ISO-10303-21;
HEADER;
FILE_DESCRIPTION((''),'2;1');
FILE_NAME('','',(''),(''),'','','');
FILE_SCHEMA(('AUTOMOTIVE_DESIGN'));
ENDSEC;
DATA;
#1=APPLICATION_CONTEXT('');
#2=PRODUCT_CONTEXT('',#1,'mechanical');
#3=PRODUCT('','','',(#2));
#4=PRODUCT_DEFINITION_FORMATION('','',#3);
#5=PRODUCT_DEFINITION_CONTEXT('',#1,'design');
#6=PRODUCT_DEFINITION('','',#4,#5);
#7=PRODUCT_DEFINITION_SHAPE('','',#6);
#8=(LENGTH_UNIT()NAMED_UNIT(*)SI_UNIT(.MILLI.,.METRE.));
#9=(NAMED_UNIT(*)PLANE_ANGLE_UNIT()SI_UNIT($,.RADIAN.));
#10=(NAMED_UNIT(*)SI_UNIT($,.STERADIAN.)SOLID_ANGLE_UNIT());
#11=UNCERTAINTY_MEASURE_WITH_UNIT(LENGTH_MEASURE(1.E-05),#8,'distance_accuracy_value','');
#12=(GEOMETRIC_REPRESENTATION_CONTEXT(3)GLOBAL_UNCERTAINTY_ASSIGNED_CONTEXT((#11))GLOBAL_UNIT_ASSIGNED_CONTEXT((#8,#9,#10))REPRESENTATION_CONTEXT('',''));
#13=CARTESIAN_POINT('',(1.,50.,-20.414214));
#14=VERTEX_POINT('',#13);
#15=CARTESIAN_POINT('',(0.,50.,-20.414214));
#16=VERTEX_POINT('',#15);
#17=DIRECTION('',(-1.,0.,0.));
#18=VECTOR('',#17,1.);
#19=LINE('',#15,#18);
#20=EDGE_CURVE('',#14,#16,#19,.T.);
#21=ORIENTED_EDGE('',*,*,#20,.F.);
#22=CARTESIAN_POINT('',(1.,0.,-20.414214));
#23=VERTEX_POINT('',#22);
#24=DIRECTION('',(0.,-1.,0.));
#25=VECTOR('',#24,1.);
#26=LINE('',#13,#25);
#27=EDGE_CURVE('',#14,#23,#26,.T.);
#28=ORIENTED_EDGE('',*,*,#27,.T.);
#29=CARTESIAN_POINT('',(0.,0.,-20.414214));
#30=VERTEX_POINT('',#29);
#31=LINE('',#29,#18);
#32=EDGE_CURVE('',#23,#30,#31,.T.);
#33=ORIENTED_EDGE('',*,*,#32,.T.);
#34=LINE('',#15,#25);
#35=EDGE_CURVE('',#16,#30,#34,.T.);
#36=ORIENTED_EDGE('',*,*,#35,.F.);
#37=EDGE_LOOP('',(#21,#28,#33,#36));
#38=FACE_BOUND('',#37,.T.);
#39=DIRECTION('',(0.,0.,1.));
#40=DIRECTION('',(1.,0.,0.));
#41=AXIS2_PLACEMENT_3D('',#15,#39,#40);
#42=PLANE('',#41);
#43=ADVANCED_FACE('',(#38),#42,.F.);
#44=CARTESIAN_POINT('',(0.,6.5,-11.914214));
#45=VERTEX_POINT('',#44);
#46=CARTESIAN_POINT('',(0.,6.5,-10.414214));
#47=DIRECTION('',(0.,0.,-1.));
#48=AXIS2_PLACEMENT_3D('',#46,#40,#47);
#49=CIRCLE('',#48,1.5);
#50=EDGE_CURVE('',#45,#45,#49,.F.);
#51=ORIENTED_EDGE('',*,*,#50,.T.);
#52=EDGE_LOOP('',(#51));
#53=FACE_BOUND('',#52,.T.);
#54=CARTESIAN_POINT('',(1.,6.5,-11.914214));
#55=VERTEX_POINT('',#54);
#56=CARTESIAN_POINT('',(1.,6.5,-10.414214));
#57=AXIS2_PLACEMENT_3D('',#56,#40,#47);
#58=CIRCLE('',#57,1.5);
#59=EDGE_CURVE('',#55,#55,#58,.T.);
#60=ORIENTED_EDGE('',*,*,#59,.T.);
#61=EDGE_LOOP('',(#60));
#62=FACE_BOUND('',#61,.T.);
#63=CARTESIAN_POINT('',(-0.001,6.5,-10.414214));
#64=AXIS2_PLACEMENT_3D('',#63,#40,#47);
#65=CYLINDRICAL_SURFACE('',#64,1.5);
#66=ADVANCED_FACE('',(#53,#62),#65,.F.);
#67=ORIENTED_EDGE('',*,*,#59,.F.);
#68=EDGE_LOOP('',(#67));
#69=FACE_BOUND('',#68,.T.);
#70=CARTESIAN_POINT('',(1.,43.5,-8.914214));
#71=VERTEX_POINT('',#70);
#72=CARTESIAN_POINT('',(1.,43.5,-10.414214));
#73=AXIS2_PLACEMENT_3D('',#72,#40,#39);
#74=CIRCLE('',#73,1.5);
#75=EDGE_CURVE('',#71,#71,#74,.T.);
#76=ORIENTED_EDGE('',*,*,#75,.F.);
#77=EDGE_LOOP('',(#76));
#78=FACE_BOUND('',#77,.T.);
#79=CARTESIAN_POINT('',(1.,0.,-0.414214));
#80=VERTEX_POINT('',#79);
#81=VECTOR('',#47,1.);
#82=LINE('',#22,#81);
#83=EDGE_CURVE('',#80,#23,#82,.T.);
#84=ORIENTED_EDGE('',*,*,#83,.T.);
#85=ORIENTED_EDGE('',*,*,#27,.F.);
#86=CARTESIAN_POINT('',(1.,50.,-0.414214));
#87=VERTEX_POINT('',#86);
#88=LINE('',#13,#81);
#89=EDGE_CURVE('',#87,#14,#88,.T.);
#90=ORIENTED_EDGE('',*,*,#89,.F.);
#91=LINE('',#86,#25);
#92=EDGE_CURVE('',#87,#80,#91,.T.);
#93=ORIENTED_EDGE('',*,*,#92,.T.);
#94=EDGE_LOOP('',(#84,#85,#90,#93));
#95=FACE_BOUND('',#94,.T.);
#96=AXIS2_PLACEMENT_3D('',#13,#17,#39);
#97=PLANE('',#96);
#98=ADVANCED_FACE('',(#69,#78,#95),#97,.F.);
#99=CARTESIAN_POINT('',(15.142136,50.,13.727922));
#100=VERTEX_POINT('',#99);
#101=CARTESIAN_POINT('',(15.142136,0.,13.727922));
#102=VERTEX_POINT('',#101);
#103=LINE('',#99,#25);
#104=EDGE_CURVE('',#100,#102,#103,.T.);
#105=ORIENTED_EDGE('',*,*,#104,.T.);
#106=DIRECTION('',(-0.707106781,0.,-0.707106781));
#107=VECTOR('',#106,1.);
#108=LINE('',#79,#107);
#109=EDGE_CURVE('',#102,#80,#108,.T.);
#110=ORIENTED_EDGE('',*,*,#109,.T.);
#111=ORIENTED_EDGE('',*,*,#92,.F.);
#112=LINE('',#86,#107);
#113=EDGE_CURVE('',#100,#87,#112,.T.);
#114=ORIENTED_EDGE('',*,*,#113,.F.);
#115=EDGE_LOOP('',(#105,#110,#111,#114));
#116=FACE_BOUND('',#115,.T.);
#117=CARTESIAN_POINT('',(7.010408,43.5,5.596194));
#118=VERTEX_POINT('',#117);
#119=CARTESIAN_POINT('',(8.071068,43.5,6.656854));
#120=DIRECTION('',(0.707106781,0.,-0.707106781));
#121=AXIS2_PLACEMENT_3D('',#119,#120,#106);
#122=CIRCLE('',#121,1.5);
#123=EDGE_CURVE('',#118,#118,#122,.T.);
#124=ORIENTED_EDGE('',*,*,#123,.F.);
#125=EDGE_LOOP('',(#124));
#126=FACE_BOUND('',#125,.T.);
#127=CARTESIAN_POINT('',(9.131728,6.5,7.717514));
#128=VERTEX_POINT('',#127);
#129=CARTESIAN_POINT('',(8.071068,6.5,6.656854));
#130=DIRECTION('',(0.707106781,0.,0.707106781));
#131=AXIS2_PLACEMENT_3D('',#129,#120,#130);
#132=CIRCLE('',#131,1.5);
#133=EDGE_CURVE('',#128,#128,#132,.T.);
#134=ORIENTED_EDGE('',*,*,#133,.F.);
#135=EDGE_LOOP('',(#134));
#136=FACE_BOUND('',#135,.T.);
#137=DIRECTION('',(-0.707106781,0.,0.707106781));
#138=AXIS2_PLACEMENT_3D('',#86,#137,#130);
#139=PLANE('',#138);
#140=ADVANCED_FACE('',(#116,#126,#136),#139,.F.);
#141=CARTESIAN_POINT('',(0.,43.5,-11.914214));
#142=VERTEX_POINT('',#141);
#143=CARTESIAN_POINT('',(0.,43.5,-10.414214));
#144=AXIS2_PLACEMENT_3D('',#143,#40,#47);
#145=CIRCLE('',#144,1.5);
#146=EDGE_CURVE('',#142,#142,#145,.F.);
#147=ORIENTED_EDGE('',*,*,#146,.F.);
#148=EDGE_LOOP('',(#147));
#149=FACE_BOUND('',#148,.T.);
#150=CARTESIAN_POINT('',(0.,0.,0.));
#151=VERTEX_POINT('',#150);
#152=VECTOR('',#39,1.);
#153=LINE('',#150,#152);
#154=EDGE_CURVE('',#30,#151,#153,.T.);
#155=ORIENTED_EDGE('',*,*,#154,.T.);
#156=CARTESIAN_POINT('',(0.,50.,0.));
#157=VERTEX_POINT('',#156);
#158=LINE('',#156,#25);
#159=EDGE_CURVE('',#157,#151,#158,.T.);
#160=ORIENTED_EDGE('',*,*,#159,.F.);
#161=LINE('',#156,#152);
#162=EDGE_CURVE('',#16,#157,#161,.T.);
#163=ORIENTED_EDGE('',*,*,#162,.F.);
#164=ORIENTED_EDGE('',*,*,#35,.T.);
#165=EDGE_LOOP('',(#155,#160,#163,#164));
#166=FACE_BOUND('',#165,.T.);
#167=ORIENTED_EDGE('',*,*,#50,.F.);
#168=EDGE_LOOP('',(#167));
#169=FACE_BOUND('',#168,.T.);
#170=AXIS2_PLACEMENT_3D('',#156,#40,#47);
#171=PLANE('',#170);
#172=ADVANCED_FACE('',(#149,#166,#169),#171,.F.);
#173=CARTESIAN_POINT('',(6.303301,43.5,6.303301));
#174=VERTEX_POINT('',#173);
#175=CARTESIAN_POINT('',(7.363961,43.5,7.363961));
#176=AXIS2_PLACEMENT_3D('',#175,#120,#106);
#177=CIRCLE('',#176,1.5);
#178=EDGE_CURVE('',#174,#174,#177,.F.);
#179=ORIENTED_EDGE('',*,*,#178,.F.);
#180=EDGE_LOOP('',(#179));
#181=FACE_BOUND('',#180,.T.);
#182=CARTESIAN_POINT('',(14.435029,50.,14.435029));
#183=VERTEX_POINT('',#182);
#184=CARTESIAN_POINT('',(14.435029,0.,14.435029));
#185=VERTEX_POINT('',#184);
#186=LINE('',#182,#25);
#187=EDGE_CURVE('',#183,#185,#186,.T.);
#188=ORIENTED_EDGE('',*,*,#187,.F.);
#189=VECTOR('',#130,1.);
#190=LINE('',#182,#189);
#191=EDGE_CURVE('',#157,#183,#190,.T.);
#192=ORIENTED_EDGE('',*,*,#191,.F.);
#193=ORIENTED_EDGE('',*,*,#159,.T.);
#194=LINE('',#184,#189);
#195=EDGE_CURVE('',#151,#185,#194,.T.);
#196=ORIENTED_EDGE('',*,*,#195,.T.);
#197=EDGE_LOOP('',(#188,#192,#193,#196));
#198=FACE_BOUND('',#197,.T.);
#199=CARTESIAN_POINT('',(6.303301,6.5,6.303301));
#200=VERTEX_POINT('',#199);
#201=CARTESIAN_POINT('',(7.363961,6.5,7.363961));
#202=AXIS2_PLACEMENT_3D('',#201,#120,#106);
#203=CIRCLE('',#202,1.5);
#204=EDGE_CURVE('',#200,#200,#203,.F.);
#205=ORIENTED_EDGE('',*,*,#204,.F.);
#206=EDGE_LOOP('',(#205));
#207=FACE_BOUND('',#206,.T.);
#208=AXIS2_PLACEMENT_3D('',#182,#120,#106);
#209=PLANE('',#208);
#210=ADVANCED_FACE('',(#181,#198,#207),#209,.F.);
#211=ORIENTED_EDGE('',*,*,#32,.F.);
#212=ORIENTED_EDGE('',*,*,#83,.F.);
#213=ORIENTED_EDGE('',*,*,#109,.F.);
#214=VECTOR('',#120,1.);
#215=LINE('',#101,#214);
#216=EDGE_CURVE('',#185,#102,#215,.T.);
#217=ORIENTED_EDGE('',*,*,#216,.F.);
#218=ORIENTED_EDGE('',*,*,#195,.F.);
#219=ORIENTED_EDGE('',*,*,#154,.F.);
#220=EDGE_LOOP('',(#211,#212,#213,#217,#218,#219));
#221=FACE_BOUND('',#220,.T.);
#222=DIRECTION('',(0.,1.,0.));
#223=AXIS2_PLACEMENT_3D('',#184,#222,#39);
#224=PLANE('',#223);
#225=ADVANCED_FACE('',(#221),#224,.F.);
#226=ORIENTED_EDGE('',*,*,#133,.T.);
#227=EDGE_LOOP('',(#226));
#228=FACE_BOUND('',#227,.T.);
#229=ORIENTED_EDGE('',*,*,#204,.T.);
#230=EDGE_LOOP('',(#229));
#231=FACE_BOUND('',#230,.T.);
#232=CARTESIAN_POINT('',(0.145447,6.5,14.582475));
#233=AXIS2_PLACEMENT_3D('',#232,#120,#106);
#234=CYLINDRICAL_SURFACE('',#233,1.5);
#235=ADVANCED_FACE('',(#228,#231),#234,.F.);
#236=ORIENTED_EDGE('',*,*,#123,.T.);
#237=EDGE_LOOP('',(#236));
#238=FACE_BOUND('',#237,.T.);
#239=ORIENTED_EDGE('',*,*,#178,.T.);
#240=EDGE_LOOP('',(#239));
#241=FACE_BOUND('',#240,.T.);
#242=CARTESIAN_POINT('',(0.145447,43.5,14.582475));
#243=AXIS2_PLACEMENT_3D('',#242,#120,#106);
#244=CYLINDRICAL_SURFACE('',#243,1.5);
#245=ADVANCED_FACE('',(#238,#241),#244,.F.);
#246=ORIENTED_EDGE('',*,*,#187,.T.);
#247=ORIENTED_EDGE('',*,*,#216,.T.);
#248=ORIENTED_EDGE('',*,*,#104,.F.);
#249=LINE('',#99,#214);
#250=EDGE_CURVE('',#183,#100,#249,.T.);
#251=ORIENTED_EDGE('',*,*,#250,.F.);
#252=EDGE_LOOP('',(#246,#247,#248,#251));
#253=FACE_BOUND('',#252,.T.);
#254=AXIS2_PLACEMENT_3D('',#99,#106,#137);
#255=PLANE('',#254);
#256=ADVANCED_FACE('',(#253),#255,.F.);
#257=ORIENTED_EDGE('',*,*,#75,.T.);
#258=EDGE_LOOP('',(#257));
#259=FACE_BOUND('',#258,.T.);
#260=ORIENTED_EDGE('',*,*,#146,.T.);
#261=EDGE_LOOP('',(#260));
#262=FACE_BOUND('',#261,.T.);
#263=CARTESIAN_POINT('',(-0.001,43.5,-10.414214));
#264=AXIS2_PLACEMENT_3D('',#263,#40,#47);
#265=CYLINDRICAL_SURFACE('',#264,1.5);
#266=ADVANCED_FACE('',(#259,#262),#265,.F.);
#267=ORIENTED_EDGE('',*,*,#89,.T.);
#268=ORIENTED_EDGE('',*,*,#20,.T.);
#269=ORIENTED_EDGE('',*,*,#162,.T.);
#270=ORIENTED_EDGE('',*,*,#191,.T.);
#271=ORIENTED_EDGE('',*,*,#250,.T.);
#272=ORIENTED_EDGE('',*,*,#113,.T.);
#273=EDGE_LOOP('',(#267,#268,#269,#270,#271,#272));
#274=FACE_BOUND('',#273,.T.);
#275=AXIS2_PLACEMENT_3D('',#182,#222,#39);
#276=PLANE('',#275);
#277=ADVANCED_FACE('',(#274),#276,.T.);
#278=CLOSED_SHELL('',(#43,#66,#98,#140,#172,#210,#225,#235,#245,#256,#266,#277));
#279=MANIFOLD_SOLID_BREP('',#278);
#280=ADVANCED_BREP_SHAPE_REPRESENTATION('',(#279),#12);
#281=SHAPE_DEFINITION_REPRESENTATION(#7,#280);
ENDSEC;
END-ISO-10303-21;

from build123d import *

# Parameters (mm, degrees)
EXTRUSION1_DEPTH = 50
EXTRUSION2_REACH = 3
ESQUISSE2_R      = 1.5
EXTRUSION3_REACH = 13.207
ESQUISSE3_R      = 1.5


with BuildPart() as part:
    # Esquisse1 → Extrusion1 (new body)
    with BuildSketch(Plane(origin=(0, 0, 0), x_dir=(1, 0, 0), z_dir=(0, 1, 0))):
        Polygon((0, 0), (0, 20.414213562), (1, 20.414213562), (1, 0.414213562), (15.142135624, -13.727922061), (14.435028843, -14.435028843), align=None)
    extrude(amount=EXTRUSION1_DEPTH)

    # Esquisse2 → Extrusion2 (cut, up to next)
    with BuildSketch(Plane(origin=(1, 0, 0), x_dir=(0, 0, -1), z_dir=(1, 0, 0)), mode=Mode.PRIVATE) as extrusion2_sk1:
        with Locations((10.414213562, 6.5)):
            Circle(ESQUISSE2_R)
    extrusion2_tool1 = extrude(extrusion2_sk1.sketch, amount=-EXTRUSION2_REACH, mode=Mode.PRIVATE) & part.part
    add(extrusion2_tool1.solids().sort_by_distance((1, 6.5, -10.414214))[0], mode=Mode.SUBTRACT)
    # Esquisse2 → Extrusion2 (cut, up to next)
    with BuildSketch(Plane(origin=(1, 0, 0), x_dir=(0, 0, -1), z_dir=(1, 0, 0)), mode=Mode.PRIVATE) as extrusion2_sk2:
        with Locations((10.414213562, 43.5)):
            Circle(ESQUISSE2_R)
    extrusion2_tool2 = extrude(extrusion2_sk2.sketch, amount=-EXTRUSION2_REACH, mode=Mode.PRIVATE) & part.part
    add(extrusion2_tool2.solids().sort_by_distance((1, 43.5, -10.414214))[0], mode=Mode.SUBTRACT)

    # Esquisse3 → Extrusion3 (cut, up to next)
    with BuildSketch(Plane(origin=(0.707106781, 0, -0.707106781), x_dir=(-0.707106781, 0, -0.707106781), z_dir=(0.707106781, 0, -0.707106781)), mode=Mode.PRIVATE) as extrusion3_sk1:
        with Locations((-10.414213562, 43.5)):
            Circle(ESQUISSE3_R)
    extrusion3_tool1 = extrude(extrusion3_sk1.sketch, amount=-EXTRUSION3_REACH, mode=Mode.PRIVATE) & part.part
    add(extrusion3_tool1.solids().sort_by_distance((8.071068, 43.5, 6.656854))[0], mode=Mode.SUBTRACT)
    # Esquisse3 → Extrusion3 (cut, up to next)
    with BuildSketch(Plane(origin=(0.707106781, 0, -0.707106781), x_dir=(-0.707106781, 0, -0.707106781), z_dir=(0.707106781, 0, -0.707106781)), mode=Mode.PRIVATE) as extrusion3_sk2:
        with Locations((-10.414213562, 6.5)):
            Circle(ESQUISSE3_R)
    extrusion3_tool2 = extrude(extrusion3_sk2.sketch, amount=-EXTRUSION3_REACH, mode=Mode.PRIVATE) & part.part
    add(extrusion3_tool2.solids().sort_by_distance((8.071068, 6.5, 6.656854))[0], mode=Mode.SUBTRACT)


solid = part.part
